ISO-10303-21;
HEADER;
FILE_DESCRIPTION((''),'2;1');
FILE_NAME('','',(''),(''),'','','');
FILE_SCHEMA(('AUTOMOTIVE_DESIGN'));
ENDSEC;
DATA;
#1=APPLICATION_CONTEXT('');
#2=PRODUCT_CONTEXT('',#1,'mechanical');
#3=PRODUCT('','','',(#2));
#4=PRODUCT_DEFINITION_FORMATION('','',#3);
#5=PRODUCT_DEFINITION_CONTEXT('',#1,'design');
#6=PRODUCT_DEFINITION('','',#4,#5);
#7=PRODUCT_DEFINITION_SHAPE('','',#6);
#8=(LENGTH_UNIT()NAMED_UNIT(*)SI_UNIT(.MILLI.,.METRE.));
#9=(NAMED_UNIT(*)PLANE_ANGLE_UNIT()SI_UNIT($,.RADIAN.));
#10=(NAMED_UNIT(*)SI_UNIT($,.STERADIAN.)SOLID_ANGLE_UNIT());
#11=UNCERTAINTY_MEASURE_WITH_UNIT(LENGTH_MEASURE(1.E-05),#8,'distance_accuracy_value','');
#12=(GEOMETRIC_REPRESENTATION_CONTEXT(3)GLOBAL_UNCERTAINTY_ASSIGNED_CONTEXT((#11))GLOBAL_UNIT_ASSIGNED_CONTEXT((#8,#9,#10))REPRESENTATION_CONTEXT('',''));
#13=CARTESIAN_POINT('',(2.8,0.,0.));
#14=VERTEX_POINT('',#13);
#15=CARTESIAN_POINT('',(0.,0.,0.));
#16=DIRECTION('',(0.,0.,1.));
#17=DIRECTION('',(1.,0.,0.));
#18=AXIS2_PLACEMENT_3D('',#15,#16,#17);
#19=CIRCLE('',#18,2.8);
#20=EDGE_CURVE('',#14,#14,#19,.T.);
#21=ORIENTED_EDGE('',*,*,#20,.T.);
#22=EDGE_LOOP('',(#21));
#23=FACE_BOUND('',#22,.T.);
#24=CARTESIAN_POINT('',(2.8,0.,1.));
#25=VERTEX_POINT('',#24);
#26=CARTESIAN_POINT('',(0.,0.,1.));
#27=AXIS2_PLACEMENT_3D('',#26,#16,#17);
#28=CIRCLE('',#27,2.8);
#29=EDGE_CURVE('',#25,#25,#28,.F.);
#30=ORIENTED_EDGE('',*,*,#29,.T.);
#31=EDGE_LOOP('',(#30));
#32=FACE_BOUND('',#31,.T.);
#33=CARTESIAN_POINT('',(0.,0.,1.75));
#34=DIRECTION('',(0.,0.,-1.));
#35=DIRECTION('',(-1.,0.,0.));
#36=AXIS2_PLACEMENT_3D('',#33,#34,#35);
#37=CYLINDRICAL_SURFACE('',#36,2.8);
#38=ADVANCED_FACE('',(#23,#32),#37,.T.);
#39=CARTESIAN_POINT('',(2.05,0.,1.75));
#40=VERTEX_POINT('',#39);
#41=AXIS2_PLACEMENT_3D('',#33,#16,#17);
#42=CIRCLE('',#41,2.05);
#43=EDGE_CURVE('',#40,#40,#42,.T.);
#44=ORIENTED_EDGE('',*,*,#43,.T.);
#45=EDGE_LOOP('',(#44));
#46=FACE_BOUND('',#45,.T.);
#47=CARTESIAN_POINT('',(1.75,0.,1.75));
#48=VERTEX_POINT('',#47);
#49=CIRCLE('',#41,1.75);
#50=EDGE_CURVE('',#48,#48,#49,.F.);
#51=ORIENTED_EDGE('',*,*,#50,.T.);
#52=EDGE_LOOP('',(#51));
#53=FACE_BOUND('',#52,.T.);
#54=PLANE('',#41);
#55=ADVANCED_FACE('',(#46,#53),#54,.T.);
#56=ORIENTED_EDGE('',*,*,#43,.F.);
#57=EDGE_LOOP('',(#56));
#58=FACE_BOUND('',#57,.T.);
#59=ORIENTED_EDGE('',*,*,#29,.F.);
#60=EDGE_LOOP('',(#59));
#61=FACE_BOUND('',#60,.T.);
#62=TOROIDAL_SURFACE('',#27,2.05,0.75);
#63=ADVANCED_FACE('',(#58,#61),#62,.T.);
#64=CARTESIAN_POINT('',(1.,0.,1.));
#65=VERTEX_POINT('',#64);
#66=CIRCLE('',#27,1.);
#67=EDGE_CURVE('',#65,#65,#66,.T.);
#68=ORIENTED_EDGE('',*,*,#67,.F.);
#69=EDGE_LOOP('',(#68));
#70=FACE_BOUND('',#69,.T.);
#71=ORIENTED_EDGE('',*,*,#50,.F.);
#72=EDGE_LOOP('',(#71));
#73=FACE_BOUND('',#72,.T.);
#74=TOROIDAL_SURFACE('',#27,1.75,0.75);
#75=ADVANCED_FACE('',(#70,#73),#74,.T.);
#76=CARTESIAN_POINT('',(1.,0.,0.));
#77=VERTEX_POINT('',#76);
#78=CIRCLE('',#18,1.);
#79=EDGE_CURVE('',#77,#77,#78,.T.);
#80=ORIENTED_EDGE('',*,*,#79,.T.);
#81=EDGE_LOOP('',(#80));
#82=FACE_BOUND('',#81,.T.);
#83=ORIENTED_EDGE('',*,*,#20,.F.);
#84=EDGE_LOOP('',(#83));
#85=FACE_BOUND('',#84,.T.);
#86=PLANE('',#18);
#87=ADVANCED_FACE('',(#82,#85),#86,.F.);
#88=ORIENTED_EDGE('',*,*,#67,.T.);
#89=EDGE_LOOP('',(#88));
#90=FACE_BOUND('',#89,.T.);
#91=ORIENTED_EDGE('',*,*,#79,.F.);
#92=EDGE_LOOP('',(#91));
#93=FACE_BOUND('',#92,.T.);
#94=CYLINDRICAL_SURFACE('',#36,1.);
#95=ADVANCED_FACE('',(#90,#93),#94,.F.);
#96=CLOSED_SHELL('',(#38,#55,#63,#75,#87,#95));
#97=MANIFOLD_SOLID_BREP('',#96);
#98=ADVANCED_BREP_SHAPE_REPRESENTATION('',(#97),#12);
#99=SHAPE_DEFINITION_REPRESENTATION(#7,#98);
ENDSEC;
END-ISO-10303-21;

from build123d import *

# Parameters (mm, degrees)
SKETCH1_R           = 2.8
SKETCH1_R_2         = 1
BOSS_EXTRUDE1_DEPTH = 1.75
FILLET1_R           = 0.75


with BuildPart() as part:
    # Sketch1 → Boss-Extrude1 (new body)
    with BuildSketch(Plane.XY):
        Circle(SKETCH1_R)
        Circle(SKETCH1_R_2, mode=Mode.SUBTRACT)
    extrude(amount=BOSS_EXTRUDE1_DEPTH)

    # Fillet1
    fillet1_edges = [part.edges().sort_by_distance(p)[0] for p in [
        (-2.8, 0, 1.75),
        (-1, 0, 1.75),
    ]]
    fillet(fillet1_edges, radius=FILLET1_R)


solid = part.part
